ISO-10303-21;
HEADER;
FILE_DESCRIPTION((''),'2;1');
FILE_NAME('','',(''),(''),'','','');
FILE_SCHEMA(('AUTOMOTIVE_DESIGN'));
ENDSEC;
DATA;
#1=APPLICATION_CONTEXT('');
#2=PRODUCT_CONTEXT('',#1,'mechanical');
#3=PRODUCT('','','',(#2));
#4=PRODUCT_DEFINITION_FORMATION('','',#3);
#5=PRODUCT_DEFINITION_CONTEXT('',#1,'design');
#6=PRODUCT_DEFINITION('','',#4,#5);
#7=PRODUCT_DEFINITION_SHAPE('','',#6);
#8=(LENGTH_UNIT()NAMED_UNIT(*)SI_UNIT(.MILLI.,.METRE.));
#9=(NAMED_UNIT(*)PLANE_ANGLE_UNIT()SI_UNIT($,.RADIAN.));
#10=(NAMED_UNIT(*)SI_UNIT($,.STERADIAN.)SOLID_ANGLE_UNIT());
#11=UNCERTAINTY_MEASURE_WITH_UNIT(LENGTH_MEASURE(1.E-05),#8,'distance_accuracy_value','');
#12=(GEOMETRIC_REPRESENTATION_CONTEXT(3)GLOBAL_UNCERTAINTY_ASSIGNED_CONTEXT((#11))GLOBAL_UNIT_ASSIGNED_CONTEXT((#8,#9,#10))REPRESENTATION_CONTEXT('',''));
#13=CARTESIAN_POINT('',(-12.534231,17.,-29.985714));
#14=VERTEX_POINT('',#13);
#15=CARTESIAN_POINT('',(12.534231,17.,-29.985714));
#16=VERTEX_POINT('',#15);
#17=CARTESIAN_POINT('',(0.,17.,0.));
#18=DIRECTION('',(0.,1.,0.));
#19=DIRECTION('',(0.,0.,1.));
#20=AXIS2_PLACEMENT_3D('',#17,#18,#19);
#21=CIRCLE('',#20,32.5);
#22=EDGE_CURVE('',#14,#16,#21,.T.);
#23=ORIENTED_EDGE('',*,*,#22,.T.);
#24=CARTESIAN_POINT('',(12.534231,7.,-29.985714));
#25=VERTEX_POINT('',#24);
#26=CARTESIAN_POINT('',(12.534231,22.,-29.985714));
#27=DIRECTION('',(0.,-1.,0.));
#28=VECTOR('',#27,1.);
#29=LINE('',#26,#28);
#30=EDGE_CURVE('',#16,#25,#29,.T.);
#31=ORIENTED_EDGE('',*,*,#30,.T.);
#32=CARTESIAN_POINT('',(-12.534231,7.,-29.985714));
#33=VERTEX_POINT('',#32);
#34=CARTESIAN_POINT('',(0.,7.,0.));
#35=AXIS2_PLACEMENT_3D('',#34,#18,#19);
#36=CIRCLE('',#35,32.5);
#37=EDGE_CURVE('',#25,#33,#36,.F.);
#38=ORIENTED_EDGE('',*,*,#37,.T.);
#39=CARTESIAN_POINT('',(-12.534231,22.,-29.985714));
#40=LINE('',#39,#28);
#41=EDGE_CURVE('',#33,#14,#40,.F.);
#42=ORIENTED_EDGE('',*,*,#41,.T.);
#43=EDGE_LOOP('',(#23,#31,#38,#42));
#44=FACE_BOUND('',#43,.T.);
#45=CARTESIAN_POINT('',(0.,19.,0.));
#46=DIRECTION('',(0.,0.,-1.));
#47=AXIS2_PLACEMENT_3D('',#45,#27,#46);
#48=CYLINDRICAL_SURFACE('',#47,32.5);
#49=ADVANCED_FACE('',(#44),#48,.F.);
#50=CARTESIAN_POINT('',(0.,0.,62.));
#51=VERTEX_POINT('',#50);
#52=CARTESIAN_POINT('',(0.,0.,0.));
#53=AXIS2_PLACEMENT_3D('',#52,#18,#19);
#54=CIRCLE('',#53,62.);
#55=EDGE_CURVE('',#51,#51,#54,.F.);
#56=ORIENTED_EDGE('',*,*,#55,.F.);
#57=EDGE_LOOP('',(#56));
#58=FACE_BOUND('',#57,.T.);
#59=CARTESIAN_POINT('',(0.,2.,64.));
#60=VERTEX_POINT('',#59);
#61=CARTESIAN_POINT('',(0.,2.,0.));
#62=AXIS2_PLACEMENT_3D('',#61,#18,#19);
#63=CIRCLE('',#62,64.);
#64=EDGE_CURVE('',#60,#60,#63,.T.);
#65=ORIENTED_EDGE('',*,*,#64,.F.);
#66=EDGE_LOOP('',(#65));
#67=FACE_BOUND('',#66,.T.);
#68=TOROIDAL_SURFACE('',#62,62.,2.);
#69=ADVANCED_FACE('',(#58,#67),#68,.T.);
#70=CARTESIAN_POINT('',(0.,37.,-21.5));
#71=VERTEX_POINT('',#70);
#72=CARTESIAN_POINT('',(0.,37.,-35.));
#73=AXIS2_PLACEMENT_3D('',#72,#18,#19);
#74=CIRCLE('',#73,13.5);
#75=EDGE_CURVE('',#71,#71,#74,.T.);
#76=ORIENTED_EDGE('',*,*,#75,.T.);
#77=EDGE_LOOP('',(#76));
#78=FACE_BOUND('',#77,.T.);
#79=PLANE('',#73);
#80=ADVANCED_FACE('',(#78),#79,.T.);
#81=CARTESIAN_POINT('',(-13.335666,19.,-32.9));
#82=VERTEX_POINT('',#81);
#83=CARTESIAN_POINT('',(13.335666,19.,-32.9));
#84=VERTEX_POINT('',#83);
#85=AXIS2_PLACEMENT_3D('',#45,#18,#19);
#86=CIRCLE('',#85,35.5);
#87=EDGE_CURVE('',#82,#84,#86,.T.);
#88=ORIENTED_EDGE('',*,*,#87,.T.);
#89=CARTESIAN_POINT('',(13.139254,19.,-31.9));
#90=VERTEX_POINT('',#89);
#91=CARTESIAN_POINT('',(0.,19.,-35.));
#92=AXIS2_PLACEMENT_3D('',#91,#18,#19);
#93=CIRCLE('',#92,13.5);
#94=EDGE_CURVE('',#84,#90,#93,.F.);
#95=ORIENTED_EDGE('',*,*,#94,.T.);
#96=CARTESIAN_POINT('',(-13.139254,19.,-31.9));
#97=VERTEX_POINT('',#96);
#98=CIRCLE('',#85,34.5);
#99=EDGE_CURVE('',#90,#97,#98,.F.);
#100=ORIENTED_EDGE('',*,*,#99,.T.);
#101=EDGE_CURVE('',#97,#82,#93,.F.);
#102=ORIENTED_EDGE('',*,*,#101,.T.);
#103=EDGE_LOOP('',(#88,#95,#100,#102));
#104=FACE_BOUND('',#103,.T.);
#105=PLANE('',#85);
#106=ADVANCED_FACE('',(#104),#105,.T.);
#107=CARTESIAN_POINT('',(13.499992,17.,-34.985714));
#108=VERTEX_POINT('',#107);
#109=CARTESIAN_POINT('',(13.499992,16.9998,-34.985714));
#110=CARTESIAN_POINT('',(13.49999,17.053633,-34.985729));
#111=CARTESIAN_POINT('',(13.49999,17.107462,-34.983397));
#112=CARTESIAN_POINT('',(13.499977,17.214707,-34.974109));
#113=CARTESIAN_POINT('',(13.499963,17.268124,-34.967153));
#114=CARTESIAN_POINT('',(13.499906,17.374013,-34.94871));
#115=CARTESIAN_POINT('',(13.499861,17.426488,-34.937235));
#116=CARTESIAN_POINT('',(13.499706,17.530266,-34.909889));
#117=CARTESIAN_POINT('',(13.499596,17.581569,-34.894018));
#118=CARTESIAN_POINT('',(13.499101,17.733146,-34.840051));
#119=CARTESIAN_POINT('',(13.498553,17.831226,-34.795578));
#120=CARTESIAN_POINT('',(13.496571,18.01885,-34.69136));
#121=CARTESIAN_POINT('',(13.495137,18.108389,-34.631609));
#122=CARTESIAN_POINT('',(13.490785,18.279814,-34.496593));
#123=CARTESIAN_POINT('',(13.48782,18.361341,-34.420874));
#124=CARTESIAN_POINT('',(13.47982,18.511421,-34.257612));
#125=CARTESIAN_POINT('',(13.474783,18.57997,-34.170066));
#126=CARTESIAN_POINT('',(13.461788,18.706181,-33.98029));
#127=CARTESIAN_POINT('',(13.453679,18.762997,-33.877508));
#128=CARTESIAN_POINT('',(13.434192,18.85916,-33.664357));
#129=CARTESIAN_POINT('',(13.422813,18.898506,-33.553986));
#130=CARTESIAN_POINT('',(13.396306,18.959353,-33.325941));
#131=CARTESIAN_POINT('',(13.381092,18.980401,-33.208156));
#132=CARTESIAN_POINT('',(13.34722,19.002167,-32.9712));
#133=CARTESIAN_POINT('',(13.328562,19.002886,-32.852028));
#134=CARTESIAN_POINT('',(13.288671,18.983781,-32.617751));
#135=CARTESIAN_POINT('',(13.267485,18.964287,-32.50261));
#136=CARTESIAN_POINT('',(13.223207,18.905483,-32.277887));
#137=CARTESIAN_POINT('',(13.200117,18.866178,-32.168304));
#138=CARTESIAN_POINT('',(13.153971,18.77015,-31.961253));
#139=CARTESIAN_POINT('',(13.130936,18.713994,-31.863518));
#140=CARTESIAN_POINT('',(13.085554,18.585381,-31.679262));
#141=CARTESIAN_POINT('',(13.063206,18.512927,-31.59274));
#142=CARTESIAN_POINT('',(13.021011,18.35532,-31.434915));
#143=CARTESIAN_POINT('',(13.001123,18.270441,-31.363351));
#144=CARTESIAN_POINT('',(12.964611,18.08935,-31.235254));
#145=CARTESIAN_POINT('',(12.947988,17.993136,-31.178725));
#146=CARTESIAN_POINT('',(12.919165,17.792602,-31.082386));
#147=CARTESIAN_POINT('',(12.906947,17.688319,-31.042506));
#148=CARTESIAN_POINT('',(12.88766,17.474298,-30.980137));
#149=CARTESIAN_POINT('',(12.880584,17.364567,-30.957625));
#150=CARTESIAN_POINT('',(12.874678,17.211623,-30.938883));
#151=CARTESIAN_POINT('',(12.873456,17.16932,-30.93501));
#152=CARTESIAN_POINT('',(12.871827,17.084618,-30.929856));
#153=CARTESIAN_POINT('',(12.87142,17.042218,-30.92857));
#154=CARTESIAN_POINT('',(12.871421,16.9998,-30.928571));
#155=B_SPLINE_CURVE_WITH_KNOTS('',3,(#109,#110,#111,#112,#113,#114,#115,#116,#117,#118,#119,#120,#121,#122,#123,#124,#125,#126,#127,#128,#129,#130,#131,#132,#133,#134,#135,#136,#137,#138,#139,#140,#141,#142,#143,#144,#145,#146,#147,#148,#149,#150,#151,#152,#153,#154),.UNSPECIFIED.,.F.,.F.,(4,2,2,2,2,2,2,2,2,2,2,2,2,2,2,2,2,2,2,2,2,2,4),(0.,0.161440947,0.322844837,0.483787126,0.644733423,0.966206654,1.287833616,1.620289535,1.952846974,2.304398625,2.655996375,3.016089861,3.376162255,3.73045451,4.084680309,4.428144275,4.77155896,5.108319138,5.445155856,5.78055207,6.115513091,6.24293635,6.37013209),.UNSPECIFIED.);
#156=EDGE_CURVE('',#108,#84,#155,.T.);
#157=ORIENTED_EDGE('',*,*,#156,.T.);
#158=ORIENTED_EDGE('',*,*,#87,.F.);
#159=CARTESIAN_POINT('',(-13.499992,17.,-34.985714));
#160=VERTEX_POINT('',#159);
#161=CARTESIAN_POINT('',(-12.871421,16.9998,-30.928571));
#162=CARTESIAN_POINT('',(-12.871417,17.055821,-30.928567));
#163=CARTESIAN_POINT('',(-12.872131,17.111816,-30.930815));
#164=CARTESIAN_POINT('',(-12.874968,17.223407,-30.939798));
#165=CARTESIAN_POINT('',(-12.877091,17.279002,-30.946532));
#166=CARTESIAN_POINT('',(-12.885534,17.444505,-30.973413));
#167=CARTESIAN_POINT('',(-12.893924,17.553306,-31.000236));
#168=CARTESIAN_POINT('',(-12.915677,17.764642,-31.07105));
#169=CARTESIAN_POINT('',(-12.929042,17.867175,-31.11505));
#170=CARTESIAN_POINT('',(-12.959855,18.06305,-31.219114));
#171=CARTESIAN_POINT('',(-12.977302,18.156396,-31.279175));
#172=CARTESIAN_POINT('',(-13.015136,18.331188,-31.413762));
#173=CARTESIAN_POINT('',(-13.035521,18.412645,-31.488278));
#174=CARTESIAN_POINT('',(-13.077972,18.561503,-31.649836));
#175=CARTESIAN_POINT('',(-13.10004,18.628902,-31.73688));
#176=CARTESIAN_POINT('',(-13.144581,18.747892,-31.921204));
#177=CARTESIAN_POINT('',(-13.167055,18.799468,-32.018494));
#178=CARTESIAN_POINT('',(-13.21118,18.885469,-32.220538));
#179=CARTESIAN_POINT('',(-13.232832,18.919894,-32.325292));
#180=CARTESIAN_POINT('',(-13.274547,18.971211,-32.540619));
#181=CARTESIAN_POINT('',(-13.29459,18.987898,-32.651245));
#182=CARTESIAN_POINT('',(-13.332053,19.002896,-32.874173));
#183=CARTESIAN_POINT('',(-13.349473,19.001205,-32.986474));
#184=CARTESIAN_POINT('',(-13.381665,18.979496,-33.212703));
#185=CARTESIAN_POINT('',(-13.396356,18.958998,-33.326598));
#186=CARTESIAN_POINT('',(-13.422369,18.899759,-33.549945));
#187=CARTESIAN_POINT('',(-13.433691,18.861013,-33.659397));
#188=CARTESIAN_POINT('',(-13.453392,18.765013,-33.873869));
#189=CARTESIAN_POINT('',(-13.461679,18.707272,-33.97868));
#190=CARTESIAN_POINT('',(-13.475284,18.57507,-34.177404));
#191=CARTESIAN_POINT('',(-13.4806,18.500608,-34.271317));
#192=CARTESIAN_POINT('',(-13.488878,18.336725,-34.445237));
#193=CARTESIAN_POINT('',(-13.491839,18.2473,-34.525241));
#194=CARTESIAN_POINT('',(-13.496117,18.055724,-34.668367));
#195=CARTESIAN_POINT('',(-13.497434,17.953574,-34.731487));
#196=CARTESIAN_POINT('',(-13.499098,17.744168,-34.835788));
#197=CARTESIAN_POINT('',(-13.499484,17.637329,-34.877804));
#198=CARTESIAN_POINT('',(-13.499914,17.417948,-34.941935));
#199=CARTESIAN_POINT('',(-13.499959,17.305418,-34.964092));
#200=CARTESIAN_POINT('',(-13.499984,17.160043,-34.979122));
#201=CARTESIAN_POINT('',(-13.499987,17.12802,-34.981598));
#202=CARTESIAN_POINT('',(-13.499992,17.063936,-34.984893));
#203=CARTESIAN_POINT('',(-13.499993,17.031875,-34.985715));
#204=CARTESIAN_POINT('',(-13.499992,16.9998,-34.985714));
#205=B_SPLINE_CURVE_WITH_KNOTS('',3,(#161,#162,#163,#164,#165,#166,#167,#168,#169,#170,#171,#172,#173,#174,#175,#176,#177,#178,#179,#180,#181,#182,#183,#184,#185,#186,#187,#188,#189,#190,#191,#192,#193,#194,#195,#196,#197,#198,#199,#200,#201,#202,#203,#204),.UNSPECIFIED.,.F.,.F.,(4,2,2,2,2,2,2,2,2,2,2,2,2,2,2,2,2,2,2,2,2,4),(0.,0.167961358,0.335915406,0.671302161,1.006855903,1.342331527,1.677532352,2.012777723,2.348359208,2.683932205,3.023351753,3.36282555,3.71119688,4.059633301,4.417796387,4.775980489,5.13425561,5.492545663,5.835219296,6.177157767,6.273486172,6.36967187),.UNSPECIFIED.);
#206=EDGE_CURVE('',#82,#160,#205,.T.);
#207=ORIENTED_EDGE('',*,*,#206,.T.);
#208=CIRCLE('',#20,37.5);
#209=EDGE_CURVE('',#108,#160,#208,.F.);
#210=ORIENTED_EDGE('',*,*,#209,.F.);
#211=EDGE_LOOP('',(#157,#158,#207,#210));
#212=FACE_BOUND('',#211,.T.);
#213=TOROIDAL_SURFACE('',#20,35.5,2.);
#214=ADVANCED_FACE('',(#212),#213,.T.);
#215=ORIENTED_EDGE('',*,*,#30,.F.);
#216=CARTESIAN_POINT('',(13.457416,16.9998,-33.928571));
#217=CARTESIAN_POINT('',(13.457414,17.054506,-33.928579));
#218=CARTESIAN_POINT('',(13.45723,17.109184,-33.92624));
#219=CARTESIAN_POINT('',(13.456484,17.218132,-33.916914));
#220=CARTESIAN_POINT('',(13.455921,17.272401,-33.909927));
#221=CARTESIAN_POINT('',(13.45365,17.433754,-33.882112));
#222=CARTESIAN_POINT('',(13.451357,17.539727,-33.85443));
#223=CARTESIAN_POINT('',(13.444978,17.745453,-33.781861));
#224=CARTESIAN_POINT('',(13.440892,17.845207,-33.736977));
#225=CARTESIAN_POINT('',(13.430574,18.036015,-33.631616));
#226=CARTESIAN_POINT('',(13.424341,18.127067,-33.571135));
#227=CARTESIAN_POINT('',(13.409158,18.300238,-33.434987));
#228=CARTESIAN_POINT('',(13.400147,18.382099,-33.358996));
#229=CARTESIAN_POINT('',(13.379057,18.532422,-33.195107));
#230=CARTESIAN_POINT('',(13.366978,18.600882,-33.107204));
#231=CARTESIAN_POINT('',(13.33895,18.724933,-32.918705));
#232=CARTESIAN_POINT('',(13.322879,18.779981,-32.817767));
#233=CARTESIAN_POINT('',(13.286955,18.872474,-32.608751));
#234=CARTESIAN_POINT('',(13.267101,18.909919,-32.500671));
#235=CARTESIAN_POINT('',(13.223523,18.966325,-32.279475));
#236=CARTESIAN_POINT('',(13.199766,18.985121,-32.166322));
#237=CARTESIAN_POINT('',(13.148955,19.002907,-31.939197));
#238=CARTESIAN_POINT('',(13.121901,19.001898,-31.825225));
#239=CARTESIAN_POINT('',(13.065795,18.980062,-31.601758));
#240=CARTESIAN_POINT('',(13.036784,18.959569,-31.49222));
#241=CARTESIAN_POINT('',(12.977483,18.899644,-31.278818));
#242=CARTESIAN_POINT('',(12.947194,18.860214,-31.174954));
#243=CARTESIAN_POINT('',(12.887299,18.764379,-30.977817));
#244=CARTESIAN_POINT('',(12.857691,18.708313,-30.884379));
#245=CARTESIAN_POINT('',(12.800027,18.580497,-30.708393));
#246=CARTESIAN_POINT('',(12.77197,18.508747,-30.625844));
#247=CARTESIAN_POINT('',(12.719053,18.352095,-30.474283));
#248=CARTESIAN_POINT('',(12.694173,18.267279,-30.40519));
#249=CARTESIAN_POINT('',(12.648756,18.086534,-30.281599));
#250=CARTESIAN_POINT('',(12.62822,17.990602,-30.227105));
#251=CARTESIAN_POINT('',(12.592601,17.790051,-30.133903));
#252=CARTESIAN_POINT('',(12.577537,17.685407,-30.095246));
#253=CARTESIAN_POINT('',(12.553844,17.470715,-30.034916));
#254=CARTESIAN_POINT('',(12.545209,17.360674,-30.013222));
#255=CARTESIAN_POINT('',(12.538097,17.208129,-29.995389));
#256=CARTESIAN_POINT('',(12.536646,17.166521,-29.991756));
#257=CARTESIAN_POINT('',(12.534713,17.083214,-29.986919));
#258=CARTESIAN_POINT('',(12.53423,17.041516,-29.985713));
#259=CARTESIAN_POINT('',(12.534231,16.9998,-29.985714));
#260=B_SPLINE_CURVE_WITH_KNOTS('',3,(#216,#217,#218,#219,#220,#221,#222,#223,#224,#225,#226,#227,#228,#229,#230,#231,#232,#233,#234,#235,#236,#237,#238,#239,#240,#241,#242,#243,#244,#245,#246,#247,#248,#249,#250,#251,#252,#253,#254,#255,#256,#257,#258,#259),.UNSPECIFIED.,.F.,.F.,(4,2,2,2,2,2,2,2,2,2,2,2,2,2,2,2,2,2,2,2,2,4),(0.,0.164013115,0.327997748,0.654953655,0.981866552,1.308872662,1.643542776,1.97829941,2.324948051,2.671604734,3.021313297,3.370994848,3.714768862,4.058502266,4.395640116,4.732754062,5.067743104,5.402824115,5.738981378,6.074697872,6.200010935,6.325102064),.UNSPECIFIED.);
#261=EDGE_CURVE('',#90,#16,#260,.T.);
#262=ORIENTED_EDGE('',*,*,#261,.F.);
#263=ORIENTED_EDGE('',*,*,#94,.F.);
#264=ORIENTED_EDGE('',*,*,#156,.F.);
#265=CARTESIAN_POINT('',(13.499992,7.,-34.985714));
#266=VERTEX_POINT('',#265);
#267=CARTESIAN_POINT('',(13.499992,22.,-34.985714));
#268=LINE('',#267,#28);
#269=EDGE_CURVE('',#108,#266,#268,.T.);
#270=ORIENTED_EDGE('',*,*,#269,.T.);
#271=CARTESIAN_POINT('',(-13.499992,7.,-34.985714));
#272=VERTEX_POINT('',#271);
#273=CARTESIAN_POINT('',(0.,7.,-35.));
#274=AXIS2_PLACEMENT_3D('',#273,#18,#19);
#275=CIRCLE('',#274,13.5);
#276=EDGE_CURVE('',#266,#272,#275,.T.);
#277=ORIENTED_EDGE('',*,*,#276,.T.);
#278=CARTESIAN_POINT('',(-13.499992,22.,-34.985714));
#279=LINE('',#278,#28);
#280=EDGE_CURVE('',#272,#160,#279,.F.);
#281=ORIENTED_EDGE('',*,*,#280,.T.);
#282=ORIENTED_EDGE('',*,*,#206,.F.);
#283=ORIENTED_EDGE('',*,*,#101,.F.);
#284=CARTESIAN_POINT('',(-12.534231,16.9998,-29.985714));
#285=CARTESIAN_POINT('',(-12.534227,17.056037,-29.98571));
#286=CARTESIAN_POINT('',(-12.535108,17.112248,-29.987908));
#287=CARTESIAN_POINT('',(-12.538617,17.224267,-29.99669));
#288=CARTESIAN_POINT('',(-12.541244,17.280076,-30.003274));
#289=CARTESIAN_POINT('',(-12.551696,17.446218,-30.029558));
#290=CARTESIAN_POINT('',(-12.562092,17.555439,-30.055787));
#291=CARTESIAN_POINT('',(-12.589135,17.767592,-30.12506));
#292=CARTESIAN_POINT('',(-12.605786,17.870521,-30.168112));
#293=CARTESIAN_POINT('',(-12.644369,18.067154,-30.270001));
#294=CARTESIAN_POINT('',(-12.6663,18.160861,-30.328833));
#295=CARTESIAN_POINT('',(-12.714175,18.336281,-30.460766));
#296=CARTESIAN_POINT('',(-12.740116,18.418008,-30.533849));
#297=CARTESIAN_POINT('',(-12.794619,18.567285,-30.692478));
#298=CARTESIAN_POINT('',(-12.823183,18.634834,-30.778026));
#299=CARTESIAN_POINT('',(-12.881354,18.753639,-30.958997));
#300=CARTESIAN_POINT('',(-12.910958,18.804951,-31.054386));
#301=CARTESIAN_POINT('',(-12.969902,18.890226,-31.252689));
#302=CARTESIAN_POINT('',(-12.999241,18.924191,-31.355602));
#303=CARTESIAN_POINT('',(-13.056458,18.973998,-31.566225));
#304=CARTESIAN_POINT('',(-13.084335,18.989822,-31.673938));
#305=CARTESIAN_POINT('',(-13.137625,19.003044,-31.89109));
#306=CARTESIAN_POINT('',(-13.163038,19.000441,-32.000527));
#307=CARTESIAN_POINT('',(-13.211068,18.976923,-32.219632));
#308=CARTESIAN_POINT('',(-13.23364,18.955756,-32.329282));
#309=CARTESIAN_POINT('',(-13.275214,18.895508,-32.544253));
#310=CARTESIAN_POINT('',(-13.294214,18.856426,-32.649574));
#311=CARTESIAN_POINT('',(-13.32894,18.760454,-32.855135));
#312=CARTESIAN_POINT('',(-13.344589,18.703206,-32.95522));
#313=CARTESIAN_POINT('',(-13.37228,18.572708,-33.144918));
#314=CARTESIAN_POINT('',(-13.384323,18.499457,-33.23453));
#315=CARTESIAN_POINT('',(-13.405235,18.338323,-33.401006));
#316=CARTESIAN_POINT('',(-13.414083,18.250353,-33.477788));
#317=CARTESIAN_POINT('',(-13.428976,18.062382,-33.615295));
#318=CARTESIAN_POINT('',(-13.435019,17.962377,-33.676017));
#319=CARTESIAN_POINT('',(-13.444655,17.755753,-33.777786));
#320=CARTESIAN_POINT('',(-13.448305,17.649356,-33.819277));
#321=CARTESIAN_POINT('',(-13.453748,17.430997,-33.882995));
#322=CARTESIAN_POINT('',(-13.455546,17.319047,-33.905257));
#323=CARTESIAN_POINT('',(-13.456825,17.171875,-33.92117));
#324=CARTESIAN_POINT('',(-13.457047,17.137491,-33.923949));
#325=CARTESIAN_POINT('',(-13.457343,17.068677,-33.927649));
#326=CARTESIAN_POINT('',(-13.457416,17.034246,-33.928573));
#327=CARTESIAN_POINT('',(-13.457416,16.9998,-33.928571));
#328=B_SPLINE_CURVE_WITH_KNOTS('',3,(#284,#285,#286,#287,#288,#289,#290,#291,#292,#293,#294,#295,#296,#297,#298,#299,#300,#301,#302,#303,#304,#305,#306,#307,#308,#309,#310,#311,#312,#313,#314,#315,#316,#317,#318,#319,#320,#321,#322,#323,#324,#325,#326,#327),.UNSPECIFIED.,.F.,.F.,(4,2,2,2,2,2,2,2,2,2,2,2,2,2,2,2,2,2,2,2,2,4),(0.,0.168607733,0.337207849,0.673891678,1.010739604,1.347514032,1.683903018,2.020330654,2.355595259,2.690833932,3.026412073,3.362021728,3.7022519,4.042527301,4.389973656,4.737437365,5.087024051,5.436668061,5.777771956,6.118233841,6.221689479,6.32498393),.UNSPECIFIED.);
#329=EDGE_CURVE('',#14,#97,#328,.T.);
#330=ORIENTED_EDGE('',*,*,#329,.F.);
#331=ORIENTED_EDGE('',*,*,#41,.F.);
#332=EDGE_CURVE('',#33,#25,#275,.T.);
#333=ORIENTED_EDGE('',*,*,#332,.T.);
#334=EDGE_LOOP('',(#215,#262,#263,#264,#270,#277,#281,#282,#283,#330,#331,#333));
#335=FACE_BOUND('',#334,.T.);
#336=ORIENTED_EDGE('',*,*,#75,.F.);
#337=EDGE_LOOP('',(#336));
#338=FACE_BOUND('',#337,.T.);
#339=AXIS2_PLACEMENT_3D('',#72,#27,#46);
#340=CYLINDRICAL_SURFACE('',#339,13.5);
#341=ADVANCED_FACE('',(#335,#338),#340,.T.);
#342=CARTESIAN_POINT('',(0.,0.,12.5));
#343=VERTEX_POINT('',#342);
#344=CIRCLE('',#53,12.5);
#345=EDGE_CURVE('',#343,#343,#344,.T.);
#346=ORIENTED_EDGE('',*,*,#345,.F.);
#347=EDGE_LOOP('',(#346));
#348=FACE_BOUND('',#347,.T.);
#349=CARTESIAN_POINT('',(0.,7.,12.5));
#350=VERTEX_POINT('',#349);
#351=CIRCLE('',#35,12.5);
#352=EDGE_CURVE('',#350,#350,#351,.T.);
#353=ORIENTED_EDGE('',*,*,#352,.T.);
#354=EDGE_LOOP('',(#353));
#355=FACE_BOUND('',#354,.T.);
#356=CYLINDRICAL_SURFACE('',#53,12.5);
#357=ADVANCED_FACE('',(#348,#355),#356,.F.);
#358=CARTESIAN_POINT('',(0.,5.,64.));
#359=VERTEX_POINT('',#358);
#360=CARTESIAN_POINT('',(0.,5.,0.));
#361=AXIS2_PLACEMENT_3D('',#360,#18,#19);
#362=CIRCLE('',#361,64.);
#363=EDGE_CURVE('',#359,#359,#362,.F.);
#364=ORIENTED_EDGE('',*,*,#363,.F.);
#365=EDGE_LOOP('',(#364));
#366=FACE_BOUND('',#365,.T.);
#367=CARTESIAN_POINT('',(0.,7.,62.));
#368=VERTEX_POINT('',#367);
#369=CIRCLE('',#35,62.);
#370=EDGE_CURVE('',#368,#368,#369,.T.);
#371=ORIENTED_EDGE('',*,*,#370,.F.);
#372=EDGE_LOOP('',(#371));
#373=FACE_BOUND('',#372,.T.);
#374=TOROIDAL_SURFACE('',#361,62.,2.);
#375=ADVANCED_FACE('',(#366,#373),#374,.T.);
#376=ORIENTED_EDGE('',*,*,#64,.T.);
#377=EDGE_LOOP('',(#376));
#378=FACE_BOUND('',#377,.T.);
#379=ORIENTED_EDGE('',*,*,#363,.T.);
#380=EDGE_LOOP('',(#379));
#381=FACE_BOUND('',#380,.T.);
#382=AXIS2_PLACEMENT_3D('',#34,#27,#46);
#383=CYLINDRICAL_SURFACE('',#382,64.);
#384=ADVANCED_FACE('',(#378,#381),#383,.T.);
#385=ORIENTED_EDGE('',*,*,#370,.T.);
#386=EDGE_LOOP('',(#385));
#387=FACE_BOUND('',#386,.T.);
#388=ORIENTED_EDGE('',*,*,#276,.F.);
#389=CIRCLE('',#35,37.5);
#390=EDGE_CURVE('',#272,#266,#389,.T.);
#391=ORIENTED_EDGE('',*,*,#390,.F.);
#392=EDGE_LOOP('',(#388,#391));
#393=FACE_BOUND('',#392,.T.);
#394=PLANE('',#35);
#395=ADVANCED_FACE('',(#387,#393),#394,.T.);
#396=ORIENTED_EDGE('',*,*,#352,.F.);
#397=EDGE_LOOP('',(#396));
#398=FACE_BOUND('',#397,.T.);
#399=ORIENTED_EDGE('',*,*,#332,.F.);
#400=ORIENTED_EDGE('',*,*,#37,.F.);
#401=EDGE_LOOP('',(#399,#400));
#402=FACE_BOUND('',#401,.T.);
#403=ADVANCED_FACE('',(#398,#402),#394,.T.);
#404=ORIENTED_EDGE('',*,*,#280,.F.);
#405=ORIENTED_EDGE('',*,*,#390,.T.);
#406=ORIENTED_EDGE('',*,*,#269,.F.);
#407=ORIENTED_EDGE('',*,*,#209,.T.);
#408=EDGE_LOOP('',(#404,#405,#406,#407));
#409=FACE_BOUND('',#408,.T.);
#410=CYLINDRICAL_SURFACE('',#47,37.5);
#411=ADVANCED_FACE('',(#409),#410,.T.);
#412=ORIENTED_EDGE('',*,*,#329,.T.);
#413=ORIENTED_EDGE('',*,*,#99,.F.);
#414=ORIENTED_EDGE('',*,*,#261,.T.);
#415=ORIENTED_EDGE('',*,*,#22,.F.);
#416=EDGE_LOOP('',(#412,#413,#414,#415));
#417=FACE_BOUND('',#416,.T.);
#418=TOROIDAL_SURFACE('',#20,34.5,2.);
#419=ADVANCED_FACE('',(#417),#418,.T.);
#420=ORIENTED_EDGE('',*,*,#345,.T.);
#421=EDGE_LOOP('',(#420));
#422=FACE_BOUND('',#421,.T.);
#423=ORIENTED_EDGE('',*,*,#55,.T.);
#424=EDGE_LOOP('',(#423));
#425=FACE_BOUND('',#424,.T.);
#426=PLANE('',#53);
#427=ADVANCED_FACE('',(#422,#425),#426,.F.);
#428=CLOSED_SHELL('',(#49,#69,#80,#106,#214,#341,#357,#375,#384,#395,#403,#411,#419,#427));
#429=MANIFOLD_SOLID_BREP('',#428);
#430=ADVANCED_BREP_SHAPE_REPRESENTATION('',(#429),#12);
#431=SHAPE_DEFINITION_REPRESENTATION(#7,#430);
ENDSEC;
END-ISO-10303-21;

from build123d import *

# Parameters (mm, degrees)
SKETCH1_R           = 64
BOSS_EXTRUDE1_DEPTH = 7
SKETCH2_R           = 37.5
SKETCH2_R_2         = 32.5
BOSS_EXTRUDE2_DEPTH = 12
SKETCH3_R           = 12.5
CUT_EXTRUDE1_DEPTH  = 92.301697684
FILLET1_R           = 2
SKETCH17_R          = 13.5
BOSS_EXTRUDE3_DEPTH = 30


with BuildPart() as part:
    # Sketch1 → Boss-Extrude1 (new body)
    with BuildSketch(Plane(origin=(0, 0, 0), x_dir=(1, 0, 0), z_dir=(0, 1, 0))):
        with Locations(Location((0, 0, 0), (0, 0, 270))):
            Circle(SKETCH1_R)
    extrude(amount=BOSS_EXTRUDE1_DEPTH)

    # Sketch2 → Boss-Extrude2 (add)
    with BuildSketch(Plane(origin=(0, 7, 0), x_dir=(1, 0, 0), z_dir=(0, 1, 0))):
        with Locations(Location((0, 0, 0), (0, 0, 270))):
            Circle(SKETCH2_R)
        with Locations(Location((0, 0, 0), (0, 0, 270))):
            Circle(SKETCH2_R_2, mode=Mode.SUBTRACT)
    extrude(amount=BOSS_EXTRUDE2_DEPTH)

    # Sketch3 → Cut-Extrude1 (cut, through all)
    with BuildSketch(Plane(origin=(0, 7, 0), x_dir=(1, 0, 0), z_dir=(0, 1, 0))):
        with Locations(Location((0, 0, 0), (0, 0, 270))):
            Circle(SKETCH3_R)
    extrude(amount=-CUT_EXTRUDE1_DEPTH, mode=Mode.SUBTRACT)

    # Fillet1
    fillet1_edges = [part.edges().sort_by_distance(p)[0] for p in [
        (0, 0, -64),
        (0, 7, -64),
        (0, 19, -37.5),
        (0, 19, -32.5),
    ]]
    fillet(fillet1_edges, radius=FILLET1_R)

    # Sketch17 → Boss-Extrude3 (add)
    with BuildSketch(Plane(origin=(0, 7, 0), x_dir=(1, 0, 0), z_dir=(0, 1, 0))):
        with Locations(Location((0, 35, 0), (0, 0, 359.939369671))):
            Circle(SKETCH17_R)
    extrude(amount=BOSS_EXTRUDE3_DEPTH)


solid = part.part
